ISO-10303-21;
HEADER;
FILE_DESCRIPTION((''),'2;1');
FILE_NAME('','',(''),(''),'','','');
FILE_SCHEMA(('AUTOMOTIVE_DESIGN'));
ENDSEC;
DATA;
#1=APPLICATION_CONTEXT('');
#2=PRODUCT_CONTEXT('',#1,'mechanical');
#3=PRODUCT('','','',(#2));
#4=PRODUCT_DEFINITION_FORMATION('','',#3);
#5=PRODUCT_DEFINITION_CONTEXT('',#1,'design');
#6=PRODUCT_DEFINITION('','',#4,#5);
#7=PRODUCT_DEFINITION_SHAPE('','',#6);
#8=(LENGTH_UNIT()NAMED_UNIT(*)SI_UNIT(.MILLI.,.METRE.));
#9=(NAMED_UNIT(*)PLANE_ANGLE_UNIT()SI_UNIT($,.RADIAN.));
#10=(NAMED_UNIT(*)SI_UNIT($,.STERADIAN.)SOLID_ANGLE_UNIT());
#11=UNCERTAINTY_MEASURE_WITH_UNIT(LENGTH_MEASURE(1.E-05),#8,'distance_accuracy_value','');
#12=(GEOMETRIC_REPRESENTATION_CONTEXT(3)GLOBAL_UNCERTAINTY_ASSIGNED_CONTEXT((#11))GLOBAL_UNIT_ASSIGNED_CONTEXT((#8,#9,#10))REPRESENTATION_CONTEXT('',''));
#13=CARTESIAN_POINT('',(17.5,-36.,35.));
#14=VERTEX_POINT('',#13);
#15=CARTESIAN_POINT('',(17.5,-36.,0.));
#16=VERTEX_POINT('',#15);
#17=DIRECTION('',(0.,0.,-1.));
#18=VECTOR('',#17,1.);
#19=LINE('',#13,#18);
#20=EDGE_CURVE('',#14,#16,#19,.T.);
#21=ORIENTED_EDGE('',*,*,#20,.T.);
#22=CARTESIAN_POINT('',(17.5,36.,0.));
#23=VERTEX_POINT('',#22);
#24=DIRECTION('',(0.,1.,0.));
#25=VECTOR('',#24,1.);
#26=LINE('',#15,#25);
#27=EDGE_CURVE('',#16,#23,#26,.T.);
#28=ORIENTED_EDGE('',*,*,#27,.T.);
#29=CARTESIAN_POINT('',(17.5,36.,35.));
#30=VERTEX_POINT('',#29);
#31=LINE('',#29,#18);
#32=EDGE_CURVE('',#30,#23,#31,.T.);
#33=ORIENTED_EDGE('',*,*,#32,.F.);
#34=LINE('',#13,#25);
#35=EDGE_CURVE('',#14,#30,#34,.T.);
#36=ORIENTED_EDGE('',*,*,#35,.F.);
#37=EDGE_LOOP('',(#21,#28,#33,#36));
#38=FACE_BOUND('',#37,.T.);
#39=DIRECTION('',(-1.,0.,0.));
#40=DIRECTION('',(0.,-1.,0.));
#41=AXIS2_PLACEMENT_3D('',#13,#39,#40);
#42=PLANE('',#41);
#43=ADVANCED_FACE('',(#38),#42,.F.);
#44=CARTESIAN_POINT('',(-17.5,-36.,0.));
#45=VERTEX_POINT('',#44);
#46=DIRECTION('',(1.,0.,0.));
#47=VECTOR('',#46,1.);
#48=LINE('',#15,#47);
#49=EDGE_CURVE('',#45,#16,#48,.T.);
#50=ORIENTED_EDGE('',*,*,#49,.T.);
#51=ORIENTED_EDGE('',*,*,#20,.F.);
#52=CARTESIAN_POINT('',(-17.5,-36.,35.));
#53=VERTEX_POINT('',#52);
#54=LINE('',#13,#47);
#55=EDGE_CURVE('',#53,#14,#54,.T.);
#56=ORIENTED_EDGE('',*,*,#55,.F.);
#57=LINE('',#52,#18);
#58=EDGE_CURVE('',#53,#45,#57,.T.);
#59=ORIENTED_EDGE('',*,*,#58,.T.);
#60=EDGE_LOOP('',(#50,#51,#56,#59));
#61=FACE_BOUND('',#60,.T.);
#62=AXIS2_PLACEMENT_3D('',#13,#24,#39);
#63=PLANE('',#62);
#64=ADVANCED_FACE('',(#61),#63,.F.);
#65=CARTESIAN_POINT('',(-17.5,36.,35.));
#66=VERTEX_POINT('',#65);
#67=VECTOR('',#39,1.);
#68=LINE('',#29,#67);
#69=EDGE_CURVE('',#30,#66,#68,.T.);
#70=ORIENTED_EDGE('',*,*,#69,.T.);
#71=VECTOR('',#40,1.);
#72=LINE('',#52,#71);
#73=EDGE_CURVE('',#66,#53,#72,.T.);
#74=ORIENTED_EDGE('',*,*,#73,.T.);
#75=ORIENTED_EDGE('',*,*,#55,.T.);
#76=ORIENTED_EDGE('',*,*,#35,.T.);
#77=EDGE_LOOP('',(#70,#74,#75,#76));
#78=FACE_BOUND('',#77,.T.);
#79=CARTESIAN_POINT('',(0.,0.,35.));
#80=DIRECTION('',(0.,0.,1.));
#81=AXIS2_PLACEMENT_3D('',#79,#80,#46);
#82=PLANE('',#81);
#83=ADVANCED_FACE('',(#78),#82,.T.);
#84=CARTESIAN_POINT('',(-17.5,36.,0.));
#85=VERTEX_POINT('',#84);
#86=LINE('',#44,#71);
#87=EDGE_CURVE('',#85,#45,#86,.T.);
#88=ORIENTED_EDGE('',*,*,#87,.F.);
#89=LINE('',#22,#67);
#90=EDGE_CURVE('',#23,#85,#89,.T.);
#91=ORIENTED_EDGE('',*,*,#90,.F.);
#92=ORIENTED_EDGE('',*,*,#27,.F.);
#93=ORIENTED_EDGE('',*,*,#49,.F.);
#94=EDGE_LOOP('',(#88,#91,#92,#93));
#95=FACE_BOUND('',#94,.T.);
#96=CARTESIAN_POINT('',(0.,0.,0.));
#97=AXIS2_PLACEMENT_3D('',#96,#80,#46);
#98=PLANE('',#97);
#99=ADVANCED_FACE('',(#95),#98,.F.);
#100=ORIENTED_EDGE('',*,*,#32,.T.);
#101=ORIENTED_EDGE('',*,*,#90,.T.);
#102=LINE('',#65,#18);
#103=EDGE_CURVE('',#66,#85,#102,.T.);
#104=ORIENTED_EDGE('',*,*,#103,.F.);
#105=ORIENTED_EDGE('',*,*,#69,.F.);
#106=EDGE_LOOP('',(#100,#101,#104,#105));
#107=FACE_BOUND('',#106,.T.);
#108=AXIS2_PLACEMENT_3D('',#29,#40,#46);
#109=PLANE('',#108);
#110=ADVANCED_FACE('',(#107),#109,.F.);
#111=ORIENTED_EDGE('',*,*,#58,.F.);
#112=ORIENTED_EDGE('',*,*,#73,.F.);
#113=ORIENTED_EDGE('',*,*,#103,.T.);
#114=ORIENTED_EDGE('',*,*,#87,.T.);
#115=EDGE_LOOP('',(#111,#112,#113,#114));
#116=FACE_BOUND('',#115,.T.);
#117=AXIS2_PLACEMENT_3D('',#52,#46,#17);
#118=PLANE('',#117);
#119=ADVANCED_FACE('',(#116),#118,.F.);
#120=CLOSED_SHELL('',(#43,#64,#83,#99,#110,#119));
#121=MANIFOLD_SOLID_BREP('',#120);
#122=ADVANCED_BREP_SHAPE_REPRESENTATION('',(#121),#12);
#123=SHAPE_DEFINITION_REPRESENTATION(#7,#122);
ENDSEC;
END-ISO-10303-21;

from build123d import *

# Parameters (mm, degrees)
ESQUISSE1_W        = 35
ESQUISSE1_H        = 72
BOSS_EXTRU_1_DEPTH = 35


with BuildPart() as part:
    # Esquisse1 → Boss.-Extru.1 (new body)
    with BuildSketch(Plane.XY):
        Rectangle(ESQUISSE1_W, ESQUISSE1_H)
    extrude(amount=BOSS_EXTRU_1_DEPTH)


solid = part.part
